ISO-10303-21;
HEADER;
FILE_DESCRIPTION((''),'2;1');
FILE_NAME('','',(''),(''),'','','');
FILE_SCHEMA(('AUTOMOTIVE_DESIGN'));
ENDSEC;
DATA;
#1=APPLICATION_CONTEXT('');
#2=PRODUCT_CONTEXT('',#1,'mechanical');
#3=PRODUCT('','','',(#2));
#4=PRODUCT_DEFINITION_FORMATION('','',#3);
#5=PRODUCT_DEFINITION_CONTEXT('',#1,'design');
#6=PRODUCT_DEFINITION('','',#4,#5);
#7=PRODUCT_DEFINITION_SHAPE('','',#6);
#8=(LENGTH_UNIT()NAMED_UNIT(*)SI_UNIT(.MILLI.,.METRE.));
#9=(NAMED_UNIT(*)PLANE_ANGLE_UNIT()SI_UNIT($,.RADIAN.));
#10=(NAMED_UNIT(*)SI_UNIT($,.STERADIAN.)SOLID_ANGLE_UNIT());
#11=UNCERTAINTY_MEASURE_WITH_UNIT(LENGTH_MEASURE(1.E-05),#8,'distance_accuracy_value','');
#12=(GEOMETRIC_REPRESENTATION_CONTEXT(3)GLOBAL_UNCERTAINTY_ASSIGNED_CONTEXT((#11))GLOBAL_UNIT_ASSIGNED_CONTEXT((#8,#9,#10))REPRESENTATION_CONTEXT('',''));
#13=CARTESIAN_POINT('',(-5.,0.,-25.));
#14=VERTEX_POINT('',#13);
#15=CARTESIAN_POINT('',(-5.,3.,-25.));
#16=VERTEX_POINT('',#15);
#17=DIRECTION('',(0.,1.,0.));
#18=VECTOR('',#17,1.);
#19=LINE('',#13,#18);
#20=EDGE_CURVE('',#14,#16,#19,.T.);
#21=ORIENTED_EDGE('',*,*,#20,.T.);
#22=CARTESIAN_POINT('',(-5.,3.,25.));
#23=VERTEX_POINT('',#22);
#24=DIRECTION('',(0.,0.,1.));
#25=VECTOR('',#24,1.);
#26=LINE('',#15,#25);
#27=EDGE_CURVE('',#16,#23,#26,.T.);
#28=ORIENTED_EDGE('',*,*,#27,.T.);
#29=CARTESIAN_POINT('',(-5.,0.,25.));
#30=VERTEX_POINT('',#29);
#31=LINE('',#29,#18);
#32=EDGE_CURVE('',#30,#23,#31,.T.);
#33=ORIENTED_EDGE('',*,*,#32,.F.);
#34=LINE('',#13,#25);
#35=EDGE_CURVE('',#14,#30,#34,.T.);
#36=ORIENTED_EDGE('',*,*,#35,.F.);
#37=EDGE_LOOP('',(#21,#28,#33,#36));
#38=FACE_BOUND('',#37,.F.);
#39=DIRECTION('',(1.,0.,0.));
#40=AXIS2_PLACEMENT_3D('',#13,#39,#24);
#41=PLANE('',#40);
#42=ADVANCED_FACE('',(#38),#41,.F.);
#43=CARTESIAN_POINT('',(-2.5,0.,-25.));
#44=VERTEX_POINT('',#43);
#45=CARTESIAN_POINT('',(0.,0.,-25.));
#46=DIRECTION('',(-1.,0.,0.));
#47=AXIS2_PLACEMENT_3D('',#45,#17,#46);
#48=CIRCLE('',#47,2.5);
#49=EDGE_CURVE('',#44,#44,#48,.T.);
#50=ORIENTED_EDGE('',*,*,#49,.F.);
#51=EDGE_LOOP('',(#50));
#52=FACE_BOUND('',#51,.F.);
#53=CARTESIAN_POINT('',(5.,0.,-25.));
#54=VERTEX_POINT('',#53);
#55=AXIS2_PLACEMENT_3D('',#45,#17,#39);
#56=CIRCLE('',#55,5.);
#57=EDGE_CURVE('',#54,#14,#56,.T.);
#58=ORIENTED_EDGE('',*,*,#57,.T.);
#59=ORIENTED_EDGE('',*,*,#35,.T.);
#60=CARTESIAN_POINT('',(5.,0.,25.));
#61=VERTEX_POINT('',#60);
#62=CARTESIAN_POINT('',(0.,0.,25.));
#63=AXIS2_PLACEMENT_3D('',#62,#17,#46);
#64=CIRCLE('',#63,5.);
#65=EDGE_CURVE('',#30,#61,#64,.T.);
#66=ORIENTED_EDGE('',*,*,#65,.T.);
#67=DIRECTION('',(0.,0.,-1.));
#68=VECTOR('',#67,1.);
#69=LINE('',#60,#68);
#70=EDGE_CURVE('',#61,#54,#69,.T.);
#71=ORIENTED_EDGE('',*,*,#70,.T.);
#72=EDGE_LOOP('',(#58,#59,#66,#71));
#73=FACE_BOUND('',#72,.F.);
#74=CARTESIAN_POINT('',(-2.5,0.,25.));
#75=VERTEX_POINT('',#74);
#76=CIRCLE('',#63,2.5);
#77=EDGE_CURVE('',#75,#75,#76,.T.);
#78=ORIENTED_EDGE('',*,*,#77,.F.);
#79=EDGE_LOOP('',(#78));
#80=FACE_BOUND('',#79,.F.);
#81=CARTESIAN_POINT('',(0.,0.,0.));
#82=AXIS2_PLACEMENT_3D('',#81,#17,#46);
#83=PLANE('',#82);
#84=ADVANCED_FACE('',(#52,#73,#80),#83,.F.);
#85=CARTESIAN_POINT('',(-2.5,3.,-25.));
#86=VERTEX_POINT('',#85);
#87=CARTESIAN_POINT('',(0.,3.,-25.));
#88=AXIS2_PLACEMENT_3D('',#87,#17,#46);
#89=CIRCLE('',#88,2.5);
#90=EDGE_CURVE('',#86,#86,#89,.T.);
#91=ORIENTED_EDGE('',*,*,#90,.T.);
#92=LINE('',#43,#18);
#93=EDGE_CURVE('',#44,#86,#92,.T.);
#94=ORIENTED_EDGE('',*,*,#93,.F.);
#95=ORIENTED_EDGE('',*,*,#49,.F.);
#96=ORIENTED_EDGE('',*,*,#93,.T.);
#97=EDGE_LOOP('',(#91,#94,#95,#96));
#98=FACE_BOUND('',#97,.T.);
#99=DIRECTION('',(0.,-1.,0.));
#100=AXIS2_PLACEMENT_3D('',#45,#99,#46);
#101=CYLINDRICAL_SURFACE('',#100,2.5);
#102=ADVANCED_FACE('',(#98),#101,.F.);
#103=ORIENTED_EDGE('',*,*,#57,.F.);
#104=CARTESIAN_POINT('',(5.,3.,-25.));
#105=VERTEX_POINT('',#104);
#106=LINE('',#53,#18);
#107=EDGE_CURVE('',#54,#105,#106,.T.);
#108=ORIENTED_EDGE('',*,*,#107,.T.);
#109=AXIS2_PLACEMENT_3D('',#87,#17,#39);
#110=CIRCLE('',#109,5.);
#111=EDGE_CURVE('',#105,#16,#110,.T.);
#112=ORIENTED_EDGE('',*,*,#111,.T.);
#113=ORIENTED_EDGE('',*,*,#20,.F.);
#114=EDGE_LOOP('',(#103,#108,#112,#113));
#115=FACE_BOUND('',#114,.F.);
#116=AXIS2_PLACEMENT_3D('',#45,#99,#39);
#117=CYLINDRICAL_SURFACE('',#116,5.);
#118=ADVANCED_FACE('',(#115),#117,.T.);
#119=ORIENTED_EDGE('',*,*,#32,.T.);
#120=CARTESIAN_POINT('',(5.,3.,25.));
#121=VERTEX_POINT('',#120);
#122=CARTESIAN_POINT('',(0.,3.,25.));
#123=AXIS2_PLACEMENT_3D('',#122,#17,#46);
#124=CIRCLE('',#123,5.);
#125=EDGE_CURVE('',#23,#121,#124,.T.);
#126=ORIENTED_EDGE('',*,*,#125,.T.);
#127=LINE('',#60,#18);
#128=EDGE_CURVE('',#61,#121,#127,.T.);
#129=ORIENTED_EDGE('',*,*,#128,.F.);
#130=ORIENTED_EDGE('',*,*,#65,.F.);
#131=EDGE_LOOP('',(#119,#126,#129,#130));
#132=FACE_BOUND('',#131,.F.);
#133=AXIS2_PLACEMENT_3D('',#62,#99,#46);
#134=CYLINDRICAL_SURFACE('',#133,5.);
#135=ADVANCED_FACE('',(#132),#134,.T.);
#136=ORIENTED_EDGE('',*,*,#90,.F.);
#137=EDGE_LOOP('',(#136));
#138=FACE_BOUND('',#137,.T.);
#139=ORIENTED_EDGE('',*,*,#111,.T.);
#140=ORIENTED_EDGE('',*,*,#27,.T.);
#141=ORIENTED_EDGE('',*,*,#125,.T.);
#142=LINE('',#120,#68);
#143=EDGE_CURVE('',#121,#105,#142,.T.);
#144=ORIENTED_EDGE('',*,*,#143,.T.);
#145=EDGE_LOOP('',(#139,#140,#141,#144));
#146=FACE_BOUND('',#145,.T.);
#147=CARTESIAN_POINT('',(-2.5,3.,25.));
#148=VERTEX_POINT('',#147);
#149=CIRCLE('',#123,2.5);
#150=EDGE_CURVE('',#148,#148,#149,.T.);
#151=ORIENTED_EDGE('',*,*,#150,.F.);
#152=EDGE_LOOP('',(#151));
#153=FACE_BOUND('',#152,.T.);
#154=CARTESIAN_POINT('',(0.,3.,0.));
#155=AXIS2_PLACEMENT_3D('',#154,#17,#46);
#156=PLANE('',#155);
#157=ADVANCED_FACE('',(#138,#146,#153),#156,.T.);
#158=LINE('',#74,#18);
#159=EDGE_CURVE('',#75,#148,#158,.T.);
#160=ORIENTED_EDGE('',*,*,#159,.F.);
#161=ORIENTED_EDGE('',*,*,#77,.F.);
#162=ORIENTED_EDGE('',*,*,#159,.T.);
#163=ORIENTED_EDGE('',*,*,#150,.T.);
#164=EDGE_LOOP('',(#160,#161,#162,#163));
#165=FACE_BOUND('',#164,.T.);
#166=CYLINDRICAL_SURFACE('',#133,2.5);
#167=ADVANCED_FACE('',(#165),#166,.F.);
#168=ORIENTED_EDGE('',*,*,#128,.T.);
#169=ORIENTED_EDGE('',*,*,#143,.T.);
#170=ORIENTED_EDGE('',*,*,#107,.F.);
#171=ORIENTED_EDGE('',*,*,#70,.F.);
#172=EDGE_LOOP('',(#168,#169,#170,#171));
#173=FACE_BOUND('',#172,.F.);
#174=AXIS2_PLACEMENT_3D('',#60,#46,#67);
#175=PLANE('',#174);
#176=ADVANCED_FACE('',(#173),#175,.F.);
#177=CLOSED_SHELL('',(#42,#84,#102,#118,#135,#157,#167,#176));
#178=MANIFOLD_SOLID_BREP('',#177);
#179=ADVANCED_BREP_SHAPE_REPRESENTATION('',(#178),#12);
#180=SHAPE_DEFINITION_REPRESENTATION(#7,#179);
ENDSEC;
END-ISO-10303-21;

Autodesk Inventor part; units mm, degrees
ref_plane "YZ Plane" through (0, 0, 0) normal (1, 0, 0) x (0, 1, 0)
ref_plane "XZ Plane" through (0, 0, 0) normal (0, 1, 0) x (-1, 0, 0)
ref_plane "XY Plane" through (0, 0, 0) normal (0, 0, 1) x (1, 0, 0)
sketch "Sketch1" plane through (0, 0, 0) normal (0, 1, 0) x (-1, 0, 0)
  line L0 (0, 25) -> (0, -25) construction
  line L1 (-5, 25) -> (-5, -25)
  line L2 (5, -25) -> (5, 25)
  arc A0 (5, 25) -> (-5, 25) centre (0, 25) ccw
  arc A1 (-5, -25) -> (5, -25) centre (0, -25) ccw
  circle A2 centre (0, 25) radius 2.5
  circle A3 centre (0, -25) radius 2.5
  point P0 (0, 0)
  dimension "d0" = 25
  dimension "d1" = 10
  dimension "d2" = 5
  dimension "d3" = 5
extrude "Extrusion1" add sketch "Sketch1" along normal blind 3
properties part number "Lazy Tongs beam Short"
